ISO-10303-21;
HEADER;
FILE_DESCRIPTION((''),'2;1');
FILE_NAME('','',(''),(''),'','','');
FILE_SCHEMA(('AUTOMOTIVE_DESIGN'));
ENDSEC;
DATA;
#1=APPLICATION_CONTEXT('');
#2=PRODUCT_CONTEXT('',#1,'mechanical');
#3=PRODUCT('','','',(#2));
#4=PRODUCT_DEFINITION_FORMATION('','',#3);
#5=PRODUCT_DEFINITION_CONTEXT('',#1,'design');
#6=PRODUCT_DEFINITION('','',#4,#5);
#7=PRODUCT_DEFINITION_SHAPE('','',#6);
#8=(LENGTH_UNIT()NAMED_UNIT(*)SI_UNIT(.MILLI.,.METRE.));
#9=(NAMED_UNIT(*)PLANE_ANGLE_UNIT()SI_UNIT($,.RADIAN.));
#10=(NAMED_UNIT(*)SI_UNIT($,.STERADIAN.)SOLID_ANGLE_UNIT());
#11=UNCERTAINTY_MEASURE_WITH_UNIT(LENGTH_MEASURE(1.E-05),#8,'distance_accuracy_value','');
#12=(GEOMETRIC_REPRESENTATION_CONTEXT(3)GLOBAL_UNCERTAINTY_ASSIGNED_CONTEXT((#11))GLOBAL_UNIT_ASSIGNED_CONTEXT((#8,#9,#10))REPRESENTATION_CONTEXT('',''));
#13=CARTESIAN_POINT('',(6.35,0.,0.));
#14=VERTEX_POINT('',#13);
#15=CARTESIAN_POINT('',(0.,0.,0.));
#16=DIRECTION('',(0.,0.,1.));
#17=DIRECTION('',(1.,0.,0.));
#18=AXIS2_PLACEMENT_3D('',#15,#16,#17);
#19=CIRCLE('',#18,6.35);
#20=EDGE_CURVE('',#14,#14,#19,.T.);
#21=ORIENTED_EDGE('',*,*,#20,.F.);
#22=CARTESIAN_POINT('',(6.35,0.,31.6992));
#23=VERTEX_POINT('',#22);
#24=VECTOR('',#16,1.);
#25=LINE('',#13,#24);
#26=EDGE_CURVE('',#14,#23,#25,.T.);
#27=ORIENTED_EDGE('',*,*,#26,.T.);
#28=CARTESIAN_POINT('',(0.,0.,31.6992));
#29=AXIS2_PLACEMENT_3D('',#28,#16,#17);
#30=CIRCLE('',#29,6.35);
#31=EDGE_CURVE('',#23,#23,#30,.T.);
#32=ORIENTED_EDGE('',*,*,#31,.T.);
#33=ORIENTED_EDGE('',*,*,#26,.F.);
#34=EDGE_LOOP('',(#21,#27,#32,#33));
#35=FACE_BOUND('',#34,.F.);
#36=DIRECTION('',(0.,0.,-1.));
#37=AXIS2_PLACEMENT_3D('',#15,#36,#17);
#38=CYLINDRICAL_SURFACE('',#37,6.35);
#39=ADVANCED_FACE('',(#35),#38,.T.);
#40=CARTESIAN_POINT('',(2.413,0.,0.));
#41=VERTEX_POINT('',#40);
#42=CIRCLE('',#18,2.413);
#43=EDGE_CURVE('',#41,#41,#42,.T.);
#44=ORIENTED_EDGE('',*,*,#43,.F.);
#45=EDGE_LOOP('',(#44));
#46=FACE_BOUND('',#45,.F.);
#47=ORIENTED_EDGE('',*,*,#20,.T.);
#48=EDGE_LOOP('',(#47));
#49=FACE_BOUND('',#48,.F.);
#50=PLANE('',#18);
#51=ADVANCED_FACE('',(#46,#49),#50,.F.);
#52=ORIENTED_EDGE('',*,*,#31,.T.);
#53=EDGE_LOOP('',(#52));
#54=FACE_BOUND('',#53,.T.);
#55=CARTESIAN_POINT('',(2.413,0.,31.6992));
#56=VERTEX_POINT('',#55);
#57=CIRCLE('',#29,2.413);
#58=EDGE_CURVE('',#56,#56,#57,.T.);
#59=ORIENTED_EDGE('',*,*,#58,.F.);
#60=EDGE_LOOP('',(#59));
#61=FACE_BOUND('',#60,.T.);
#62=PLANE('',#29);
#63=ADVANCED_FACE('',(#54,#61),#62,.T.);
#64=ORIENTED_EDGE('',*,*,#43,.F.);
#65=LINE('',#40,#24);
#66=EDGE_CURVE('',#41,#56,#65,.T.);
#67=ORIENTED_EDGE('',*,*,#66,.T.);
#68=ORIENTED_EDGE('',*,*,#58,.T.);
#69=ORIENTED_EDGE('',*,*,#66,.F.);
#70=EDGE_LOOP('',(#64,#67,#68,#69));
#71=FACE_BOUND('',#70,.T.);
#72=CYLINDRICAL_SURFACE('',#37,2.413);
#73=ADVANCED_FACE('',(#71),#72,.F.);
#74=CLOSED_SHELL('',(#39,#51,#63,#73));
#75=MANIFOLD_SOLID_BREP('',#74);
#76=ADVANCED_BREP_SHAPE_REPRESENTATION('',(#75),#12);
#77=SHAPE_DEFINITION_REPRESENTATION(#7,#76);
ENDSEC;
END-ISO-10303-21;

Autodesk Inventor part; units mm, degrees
ref_plane "YZ Plane" through (0, 0, 0) normal (1, 0, 0) x (0, 1, 0)
ref_plane "XZ Plane" through (0, 0, 0) normal (0, 1, 0) x (-1, 0, 0)
ref_plane "XY Plane" through (0, 0, 0) normal (0, 0, 1) x (1, 0, 0)
sketch "Sketch1" plane through (0, 0, 0) normal (0, 0, 1) x (1, 0, 0)
  circle A0 centre (0, 0) radius 2.413
  circle A1 centre (0, 0) radius 6.35
  dimension "d0" = 4.826
  dimension "d1" = 12.7
extrude "Extrusion1" add sketch "Sketch1" along normal blind 31.6992
properties part number "pretend this is a churro"
